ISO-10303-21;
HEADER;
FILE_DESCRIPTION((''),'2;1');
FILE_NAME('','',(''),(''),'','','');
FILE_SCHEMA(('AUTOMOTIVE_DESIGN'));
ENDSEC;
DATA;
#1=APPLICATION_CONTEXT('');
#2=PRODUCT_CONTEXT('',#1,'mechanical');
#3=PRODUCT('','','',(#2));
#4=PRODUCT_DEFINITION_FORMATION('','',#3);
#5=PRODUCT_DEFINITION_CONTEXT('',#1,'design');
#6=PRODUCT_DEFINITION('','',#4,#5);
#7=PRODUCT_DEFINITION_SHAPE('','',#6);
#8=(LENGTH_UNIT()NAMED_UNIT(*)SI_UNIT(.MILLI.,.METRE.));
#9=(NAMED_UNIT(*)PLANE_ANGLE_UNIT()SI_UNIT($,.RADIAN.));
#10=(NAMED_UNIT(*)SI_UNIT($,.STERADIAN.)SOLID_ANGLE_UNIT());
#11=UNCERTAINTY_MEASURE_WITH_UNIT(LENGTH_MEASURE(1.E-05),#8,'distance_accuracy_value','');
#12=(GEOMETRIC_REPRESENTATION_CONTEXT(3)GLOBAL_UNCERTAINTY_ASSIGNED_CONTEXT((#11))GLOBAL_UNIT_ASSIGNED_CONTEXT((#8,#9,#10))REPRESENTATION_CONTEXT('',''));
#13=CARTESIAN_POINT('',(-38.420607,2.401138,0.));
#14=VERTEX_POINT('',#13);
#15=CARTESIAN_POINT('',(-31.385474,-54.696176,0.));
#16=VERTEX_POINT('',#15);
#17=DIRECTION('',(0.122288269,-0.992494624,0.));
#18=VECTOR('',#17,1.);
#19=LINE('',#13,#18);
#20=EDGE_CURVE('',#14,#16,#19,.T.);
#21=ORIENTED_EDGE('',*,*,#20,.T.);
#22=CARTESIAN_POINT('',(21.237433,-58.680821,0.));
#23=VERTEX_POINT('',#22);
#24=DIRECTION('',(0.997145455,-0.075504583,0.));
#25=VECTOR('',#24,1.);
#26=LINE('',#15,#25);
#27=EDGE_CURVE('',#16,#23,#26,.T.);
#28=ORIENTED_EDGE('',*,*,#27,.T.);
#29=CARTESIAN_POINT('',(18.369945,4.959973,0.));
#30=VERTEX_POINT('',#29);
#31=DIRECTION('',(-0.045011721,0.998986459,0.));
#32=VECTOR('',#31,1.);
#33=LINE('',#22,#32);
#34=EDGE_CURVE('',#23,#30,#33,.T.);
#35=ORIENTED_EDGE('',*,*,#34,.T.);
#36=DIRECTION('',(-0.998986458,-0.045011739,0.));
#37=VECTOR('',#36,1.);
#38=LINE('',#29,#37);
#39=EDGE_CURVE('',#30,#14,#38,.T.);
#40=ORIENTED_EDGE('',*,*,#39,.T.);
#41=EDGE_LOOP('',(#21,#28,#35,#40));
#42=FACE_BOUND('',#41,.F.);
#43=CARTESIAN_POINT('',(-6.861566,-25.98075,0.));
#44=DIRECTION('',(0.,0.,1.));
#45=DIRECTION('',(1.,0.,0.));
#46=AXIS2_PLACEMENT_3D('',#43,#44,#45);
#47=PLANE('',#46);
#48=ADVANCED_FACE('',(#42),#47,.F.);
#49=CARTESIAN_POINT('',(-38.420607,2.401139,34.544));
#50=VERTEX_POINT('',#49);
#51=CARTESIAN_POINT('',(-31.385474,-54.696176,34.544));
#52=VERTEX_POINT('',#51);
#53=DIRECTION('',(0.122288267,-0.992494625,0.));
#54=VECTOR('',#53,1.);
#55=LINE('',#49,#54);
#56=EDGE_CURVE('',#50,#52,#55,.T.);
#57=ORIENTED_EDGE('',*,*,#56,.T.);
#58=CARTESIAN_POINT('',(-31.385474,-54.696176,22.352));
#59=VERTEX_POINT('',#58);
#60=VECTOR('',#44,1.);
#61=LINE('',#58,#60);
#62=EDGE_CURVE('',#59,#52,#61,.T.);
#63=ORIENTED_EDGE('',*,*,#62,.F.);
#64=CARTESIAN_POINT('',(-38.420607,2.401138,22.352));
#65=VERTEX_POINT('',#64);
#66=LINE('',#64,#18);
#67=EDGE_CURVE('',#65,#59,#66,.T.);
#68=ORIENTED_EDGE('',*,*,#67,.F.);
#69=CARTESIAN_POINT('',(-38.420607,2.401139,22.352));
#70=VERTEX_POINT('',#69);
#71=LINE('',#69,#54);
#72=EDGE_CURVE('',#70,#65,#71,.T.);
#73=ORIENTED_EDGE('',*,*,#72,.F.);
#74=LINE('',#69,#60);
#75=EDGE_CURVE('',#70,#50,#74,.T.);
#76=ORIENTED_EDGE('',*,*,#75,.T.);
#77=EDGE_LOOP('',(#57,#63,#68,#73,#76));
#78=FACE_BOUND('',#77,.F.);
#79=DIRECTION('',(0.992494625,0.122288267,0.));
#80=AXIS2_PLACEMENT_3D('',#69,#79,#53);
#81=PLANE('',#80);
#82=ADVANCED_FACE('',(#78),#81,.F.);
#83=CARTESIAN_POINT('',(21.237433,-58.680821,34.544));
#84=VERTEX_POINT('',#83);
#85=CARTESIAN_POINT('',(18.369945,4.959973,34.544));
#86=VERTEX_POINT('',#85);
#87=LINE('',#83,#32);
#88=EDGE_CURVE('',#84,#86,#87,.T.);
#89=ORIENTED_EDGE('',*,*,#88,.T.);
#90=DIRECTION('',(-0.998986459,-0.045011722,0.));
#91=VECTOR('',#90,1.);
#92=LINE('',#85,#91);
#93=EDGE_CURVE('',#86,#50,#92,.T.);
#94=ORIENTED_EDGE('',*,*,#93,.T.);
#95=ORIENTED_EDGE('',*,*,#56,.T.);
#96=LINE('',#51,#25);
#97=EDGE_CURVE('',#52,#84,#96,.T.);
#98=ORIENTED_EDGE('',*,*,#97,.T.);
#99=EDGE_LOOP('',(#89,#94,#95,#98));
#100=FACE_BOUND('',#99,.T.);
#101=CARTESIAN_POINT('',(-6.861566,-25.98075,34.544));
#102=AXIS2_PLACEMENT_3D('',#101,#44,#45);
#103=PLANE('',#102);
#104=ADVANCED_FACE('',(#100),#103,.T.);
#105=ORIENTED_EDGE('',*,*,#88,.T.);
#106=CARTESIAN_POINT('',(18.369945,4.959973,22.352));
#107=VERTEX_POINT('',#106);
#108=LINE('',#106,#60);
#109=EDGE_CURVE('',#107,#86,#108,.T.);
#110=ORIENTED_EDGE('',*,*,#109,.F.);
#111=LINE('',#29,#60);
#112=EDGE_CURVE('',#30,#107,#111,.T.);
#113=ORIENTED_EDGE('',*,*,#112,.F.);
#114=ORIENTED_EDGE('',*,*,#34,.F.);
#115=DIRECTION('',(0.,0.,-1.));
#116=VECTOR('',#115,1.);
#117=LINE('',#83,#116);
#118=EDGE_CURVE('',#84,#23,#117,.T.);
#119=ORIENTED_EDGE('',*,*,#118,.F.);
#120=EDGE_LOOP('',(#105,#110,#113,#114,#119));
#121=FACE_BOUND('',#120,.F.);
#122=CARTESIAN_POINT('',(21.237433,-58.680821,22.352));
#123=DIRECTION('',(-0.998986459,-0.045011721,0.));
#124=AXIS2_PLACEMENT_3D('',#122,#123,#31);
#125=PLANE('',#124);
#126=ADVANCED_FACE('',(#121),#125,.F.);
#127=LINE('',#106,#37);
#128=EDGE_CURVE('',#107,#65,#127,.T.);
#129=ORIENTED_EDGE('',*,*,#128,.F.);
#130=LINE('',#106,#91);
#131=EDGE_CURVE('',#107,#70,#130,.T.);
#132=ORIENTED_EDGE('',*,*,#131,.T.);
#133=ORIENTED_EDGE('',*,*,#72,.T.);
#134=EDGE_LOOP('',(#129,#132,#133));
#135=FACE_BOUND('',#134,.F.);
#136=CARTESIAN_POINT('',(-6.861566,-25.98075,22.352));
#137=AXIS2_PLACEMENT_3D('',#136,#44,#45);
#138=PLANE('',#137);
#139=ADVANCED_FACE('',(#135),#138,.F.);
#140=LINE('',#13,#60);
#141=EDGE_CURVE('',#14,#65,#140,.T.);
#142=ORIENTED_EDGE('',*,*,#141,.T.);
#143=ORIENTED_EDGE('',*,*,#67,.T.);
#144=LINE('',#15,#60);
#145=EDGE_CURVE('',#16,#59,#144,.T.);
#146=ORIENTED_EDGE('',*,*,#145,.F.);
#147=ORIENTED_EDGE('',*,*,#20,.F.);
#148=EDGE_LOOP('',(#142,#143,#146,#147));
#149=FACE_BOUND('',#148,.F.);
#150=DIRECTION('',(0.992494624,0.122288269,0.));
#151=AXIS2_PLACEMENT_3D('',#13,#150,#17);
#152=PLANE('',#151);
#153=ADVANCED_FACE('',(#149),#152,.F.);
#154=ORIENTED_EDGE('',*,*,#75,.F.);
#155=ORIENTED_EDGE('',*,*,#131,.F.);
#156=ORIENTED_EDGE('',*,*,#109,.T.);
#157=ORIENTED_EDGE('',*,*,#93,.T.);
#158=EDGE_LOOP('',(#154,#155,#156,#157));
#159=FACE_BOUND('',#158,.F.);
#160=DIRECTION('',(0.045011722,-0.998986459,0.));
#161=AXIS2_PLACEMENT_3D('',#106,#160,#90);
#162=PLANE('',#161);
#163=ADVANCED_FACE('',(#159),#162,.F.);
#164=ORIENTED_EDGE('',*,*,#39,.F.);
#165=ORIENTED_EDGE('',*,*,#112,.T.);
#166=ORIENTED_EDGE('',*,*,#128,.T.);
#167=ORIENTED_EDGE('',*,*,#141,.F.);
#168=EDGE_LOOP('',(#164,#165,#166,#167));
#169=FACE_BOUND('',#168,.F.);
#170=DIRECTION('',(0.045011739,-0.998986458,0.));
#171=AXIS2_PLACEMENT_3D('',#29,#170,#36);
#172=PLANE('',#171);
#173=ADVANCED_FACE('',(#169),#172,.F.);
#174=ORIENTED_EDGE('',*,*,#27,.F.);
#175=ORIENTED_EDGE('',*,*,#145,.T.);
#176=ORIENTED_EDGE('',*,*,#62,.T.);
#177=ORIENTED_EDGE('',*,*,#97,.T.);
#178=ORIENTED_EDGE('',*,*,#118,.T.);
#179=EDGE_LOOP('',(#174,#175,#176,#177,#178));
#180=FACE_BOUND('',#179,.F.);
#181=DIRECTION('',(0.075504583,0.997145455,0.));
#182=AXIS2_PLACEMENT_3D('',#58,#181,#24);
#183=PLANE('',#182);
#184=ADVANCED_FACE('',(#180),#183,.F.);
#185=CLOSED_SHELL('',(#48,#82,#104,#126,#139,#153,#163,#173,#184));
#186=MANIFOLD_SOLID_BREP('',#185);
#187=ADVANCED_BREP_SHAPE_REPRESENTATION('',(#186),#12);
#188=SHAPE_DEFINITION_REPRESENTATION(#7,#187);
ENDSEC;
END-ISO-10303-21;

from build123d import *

# Parameters (mm, degrees)
F1_DEPTH = 22.352
F2_DEPTH = 12.192


with BuildPart() as f1:
    # F0 (on Top) → F1 (new body)
    with BuildSketch(Plane.XY):
        Polygon((-38.420607, 2.401138), (-31.385474, -54.696176), (21.237433, -58.680821), (18.369945, 4.959973), align=None)
        Polygon((4.363194, -40.964877), (-23.372287, -42.214565), (-25.097516, -10.449908), (2.931366, -9.187), align=None, mode=Mode.SUBTRACT)
        Polygon((-25.097516, -10.449908), (-23.372287, -42.214565), (4.363194, -40.964877), (2.931366, -9.187), align=None)
    extrude(amount=F1_DEPTH)

    # F1_face (on face) → F2 (join)
    with BuildSketch(Plane(origin=(-7.086416, -26.077405, 22.352), x_dir=(1, 0, 0), z_dir=(0, 0, 1))):
        Polygon((25.456361, 31.037378), (-31.334191, 28.478544), (-24.299058, -28.618771), (28.323849, -32.603416), align=None)
    extrude(amount=F2_DEPTH)


solid = f1.part
